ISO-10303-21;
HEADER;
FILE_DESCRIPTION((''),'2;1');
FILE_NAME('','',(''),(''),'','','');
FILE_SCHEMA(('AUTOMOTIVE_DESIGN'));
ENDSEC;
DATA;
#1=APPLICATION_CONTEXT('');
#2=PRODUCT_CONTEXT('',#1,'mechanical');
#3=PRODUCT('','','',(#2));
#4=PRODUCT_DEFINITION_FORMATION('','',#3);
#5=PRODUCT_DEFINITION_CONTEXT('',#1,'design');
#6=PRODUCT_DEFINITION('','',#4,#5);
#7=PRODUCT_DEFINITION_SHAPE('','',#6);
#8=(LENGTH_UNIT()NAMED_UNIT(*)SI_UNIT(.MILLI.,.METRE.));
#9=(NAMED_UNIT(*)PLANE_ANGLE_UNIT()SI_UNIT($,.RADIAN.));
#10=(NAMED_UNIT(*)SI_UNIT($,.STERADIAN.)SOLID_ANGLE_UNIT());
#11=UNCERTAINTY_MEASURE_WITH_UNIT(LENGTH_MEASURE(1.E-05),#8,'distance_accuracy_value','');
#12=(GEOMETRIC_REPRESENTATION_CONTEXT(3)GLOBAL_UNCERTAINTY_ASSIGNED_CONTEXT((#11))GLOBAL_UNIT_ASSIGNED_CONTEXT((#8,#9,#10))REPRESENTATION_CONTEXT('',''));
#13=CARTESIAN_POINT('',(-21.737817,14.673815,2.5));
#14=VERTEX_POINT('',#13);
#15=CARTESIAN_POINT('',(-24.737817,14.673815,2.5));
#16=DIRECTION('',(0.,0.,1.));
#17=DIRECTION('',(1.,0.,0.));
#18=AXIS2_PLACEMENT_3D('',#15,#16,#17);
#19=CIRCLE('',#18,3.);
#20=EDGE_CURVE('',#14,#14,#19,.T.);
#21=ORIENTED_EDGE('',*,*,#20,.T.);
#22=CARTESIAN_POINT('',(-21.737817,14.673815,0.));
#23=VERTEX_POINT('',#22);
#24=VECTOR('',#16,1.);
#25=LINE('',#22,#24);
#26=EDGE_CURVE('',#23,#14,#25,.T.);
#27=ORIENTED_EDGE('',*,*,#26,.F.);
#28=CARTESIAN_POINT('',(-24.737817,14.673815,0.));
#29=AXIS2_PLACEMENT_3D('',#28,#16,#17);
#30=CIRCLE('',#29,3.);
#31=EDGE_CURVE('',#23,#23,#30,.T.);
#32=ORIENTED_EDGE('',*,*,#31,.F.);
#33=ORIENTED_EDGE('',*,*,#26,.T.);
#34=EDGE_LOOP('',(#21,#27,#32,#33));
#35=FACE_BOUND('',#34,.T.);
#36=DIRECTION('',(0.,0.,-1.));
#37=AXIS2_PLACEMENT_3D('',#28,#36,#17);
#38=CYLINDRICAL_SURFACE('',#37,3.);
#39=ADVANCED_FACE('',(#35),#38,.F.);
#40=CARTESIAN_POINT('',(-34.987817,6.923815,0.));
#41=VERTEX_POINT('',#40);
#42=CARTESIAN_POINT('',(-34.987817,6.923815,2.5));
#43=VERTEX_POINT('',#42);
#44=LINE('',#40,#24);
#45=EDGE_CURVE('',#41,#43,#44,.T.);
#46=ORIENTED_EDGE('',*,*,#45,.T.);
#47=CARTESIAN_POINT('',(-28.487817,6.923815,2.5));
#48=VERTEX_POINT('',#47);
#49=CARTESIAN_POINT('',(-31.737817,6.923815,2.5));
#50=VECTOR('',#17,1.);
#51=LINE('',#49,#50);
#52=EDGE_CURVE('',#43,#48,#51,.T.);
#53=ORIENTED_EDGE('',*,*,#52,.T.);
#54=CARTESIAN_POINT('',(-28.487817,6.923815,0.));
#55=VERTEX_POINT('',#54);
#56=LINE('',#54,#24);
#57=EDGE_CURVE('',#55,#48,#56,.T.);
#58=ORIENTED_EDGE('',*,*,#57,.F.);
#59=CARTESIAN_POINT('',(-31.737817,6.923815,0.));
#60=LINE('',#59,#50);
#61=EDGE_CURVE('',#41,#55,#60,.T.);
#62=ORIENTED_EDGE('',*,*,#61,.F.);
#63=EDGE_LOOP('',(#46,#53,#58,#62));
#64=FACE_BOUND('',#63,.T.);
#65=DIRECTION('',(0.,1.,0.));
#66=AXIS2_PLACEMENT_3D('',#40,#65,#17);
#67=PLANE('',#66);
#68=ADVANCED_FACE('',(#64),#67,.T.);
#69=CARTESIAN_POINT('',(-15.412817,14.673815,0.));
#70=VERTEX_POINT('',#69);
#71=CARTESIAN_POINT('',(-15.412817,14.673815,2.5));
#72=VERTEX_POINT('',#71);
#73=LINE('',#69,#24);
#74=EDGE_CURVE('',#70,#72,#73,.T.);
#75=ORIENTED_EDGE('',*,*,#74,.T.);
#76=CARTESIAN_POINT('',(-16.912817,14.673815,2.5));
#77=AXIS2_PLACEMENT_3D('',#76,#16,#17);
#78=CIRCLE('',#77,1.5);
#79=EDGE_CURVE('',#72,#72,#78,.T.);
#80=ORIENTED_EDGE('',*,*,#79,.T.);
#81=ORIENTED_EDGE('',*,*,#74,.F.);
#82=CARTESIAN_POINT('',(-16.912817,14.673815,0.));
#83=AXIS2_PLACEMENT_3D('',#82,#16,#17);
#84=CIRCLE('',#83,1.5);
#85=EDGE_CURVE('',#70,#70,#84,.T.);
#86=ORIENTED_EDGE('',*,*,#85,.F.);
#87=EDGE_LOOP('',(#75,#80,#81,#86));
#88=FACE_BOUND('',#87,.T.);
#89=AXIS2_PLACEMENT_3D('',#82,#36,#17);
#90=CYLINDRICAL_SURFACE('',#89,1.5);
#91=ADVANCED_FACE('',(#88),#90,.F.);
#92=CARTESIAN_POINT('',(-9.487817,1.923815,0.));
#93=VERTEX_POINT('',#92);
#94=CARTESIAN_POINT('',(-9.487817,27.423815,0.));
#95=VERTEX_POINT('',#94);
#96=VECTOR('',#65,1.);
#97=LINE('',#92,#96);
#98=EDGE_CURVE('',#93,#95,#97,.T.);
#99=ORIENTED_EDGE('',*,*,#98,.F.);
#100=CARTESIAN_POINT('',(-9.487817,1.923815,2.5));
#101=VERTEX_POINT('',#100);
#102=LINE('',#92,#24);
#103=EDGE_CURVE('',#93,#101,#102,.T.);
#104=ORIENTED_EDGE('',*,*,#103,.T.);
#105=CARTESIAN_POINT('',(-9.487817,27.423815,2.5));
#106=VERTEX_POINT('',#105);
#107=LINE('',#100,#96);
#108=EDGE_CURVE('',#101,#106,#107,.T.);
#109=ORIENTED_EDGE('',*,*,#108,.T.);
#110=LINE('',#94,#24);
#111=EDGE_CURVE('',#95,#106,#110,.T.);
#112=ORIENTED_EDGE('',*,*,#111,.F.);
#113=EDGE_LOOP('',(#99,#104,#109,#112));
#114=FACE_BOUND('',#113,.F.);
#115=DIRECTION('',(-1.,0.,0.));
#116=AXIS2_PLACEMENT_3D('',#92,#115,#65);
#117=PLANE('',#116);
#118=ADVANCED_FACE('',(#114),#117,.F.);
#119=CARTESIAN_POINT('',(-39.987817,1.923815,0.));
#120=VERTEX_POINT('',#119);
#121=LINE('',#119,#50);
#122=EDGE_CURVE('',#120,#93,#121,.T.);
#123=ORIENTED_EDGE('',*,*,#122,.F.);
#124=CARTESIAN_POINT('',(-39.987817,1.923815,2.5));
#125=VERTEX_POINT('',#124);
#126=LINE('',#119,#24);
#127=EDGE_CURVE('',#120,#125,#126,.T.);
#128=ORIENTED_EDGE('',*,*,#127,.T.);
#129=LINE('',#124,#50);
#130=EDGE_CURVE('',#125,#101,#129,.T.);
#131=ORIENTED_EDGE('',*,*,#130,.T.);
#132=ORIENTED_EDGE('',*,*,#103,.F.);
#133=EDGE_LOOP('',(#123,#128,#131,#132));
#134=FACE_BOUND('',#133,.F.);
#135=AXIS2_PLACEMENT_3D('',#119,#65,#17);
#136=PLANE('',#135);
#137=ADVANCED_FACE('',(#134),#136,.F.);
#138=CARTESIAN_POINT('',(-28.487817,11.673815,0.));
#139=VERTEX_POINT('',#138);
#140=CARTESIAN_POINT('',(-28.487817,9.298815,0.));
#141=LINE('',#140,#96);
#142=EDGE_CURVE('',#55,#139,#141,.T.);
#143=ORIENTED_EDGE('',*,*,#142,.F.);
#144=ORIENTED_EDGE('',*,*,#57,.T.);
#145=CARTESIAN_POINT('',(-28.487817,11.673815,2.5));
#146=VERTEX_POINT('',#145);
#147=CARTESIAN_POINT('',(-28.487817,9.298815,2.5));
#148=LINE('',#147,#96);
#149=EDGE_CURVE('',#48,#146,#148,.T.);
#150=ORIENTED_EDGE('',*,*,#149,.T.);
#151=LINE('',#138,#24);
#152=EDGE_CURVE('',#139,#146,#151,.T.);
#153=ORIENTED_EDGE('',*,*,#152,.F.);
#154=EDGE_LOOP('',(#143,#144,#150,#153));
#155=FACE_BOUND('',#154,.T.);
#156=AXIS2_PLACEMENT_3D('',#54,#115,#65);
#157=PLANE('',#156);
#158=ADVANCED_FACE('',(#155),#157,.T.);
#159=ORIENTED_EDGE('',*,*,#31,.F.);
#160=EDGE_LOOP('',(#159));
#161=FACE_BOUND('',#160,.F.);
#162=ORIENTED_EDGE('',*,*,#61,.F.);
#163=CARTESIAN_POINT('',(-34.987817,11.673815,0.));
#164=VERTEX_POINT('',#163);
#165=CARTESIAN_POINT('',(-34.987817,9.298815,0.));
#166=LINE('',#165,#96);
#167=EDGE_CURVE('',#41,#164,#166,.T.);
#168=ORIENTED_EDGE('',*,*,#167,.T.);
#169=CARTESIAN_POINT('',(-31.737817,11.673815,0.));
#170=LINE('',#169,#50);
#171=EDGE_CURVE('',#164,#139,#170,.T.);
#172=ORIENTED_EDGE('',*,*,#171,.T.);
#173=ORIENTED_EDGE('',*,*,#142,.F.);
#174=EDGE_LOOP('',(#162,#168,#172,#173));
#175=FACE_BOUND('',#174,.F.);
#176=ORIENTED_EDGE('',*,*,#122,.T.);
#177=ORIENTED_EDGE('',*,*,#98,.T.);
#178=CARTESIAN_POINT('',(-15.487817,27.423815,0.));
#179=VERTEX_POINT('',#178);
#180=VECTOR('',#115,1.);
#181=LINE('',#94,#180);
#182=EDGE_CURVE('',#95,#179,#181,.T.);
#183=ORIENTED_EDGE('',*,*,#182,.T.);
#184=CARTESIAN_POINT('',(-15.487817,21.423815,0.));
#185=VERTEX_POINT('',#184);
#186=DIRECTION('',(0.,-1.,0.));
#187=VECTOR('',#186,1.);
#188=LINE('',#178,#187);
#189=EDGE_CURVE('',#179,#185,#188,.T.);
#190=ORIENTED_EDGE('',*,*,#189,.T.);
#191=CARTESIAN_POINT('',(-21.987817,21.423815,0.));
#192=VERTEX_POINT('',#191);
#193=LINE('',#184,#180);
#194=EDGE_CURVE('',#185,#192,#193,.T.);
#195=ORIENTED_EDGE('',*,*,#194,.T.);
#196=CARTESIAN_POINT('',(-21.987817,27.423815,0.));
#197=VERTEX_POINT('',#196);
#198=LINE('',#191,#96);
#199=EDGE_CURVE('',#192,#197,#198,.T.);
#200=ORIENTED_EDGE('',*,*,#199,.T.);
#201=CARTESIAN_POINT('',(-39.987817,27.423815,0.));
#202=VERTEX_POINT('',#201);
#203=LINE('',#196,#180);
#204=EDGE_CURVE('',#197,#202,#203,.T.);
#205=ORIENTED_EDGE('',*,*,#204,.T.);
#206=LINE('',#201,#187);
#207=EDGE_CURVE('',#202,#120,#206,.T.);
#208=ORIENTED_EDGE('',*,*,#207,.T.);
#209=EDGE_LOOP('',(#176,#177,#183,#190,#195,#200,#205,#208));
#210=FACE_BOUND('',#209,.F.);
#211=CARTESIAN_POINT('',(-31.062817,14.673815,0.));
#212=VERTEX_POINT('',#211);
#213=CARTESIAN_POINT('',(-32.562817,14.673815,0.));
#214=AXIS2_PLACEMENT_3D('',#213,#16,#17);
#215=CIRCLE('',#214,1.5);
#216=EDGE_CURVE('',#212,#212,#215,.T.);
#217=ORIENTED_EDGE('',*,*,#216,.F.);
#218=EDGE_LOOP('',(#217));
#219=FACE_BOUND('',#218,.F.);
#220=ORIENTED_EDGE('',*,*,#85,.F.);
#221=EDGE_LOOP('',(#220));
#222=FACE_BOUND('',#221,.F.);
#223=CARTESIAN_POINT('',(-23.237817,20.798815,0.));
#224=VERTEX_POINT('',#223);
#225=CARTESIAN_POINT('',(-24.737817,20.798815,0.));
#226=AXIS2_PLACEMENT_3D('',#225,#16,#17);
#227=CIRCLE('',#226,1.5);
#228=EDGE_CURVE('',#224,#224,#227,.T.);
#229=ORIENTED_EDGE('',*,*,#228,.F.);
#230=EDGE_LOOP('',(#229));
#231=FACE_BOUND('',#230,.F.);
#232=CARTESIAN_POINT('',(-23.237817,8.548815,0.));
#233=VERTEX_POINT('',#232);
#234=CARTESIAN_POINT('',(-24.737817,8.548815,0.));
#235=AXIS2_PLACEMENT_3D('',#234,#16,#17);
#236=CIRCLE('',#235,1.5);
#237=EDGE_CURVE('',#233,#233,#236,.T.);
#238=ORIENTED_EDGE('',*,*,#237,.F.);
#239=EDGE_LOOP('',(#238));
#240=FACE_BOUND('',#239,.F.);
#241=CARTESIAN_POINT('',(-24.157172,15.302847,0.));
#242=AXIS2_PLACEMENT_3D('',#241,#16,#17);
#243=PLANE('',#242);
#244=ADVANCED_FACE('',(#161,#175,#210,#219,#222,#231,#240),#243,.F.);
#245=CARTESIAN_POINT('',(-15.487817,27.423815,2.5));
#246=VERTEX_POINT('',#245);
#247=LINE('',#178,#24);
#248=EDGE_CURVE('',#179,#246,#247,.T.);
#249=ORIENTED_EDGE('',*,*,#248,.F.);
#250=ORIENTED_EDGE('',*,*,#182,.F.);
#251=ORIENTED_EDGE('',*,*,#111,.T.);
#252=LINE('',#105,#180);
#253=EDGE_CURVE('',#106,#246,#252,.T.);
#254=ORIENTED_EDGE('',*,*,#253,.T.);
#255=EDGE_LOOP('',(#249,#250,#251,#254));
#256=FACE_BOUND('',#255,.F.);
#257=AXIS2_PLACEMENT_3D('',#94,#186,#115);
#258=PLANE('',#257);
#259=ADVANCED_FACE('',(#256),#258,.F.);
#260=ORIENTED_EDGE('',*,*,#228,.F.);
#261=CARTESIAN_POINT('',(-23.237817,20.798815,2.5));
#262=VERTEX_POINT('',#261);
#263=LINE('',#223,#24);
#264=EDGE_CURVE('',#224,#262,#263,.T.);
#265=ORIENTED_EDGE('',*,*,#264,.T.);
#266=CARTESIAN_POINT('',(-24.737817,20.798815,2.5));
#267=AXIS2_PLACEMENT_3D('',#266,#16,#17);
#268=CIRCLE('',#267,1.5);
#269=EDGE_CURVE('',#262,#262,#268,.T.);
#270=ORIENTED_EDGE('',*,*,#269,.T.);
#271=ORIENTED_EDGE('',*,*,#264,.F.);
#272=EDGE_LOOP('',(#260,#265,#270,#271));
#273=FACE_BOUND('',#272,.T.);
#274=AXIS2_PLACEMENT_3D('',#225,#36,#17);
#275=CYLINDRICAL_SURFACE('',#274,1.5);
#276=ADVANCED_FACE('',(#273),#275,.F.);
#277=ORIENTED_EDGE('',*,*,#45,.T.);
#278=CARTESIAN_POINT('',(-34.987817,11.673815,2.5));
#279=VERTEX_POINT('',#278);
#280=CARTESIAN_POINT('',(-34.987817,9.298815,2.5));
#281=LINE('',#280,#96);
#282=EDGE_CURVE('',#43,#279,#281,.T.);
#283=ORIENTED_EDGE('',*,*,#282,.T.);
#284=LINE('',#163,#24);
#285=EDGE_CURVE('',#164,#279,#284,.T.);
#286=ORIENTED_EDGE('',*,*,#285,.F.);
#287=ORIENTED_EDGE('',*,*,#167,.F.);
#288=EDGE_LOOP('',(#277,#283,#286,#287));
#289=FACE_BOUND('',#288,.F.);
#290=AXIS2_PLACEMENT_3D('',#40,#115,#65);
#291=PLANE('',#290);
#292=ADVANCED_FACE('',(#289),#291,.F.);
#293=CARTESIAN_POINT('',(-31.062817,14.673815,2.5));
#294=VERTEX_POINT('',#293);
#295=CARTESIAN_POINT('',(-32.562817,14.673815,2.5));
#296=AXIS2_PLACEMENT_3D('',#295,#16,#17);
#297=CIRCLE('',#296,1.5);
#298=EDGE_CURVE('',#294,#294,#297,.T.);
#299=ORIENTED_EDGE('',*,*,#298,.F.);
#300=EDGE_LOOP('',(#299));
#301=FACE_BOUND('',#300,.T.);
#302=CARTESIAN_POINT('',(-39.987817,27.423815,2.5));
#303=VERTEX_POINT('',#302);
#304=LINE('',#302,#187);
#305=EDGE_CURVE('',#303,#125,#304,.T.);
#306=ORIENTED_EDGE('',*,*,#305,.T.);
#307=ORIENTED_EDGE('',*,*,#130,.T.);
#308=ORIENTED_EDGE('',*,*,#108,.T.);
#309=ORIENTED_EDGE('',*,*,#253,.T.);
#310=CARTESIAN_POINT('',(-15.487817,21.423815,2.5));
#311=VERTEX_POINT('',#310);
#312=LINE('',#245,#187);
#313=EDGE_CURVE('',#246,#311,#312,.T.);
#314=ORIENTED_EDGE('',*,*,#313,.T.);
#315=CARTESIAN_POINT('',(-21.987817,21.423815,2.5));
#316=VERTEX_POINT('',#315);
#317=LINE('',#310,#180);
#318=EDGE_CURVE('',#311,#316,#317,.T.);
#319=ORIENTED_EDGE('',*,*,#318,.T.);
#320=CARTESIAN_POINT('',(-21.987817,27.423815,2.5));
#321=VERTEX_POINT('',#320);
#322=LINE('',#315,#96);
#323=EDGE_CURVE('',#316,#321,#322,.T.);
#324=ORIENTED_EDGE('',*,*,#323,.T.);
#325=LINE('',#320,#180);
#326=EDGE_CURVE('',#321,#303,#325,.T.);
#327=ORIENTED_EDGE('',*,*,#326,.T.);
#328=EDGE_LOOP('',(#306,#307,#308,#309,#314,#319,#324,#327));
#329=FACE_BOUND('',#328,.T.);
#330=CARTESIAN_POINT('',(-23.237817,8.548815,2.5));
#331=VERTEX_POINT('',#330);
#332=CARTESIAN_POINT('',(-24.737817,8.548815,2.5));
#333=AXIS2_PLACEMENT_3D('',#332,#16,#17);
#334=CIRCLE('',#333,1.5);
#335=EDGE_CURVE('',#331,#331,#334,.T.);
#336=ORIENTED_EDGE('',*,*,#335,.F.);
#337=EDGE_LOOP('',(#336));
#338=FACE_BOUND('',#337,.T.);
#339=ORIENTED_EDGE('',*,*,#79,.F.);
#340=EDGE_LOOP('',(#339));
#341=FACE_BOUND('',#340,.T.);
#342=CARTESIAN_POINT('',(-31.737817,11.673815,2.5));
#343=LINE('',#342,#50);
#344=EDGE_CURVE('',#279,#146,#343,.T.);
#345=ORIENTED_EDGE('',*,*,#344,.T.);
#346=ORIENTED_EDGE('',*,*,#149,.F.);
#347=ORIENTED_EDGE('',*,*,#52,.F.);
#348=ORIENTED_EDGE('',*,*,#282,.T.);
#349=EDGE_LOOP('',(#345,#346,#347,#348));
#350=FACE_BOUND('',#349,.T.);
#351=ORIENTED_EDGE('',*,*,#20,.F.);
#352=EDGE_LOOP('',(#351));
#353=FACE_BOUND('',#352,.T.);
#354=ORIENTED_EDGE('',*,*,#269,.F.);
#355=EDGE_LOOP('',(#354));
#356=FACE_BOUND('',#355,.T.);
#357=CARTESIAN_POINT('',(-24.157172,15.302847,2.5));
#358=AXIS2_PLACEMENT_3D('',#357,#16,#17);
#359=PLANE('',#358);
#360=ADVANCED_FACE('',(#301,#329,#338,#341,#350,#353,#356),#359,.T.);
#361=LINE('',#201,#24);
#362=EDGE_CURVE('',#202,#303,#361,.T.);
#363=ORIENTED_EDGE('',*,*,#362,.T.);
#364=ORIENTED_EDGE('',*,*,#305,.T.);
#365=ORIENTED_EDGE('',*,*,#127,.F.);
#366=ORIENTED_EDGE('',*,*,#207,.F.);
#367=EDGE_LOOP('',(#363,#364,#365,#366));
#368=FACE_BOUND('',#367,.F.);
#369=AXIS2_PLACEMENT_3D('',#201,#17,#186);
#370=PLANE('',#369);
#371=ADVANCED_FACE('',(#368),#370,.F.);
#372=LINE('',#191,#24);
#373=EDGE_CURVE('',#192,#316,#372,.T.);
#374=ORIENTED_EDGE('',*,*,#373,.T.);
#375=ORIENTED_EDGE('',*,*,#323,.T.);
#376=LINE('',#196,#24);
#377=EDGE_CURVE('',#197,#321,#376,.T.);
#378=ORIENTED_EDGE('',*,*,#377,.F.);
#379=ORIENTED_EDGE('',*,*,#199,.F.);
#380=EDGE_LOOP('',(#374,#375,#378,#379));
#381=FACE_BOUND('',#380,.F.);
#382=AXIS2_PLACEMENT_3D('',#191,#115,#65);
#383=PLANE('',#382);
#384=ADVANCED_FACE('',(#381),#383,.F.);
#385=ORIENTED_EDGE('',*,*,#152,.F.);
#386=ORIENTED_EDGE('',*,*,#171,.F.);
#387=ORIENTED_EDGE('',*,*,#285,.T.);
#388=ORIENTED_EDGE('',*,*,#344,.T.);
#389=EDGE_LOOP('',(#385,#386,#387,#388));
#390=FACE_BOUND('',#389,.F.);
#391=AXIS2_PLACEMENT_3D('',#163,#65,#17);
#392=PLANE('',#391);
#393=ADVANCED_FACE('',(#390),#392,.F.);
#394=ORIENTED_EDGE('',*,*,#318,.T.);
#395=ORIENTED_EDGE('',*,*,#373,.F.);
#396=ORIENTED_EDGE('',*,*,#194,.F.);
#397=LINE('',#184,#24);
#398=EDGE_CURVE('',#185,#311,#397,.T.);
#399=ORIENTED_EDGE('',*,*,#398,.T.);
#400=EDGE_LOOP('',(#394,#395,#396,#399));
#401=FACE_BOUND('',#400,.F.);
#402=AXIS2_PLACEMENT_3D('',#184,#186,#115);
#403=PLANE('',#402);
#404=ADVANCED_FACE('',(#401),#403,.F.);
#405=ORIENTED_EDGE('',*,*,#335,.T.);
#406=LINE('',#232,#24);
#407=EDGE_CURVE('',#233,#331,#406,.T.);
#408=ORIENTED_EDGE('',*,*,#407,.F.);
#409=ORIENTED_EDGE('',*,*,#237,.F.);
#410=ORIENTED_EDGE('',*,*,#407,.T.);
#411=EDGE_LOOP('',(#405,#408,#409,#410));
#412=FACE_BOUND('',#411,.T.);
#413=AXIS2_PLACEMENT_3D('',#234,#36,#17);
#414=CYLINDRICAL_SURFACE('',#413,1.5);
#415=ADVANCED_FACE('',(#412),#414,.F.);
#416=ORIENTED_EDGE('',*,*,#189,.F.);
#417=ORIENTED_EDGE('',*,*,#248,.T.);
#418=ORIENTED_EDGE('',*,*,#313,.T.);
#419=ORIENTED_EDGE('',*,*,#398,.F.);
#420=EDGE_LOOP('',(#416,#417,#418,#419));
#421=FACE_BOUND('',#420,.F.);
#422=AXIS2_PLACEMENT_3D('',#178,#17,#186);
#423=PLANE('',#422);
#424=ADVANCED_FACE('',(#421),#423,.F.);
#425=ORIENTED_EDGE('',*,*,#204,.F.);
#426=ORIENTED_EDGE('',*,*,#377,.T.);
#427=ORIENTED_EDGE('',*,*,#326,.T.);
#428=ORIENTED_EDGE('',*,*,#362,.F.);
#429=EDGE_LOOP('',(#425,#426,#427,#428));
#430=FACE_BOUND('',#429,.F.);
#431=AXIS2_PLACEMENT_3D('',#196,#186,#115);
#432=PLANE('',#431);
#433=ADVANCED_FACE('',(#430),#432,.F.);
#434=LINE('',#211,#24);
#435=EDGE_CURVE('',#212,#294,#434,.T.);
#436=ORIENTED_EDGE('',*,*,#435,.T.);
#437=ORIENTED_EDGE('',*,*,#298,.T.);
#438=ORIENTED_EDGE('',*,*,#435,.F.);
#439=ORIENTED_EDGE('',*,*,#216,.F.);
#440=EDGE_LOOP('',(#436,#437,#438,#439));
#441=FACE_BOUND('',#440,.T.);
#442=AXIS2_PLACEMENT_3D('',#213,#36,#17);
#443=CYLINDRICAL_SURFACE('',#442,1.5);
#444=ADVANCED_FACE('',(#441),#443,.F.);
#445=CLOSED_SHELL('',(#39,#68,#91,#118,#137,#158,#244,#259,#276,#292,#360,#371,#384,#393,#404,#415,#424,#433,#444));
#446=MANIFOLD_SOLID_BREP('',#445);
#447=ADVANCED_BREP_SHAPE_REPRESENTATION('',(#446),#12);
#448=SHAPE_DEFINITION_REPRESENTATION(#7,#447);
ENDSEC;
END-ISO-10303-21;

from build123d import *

# Parameters (mm, degrees)
F0_W     = 6.5
F0_H     = 4.75
F0_R     = 1.5
F0_R_2   = 3
F1_DEPTH = 2.5


with BuildPart() as f1:
    # F0 (on Top) → F1 (new body)
    with BuildSketch(Plane.XY):
        Polygon((-39.987817, 27.423815), (-39.987817, 1.923815), (-9.487817, 1.923815), (-9.487817, 27.423815), (-15.487817, 27.423815), (-15.487817, 21.423815), (-21.987817, 21.423815), (-21.987817, 27.423815), align=None)
        with Locations((-31.737817, 9.298815)):
            Rectangle(F0_W, F0_H, mode=Mode.SUBTRACT)
        with Locations((-24.737817, 8.548815)):
            Circle(F0_R, mode=Mode.SUBTRACT)
        with Locations((-32.562817, 14.673815)):
            Circle(F0_R, mode=Mode.SUBTRACT)
        with Locations((-24.737817, 14.673815)):
            Circle(F0_R_2, mode=Mode.SUBTRACT)
        with Locations((-24.737817, 20.798815)):
            Circle(F0_R, mode=Mode.SUBTRACT)
        with Locations((-16.912817, 14.673815)):
            Circle(F0_R, mode=Mode.SUBTRACT)
    extrude(amount=F1_DEPTH)


solid = f1.part
